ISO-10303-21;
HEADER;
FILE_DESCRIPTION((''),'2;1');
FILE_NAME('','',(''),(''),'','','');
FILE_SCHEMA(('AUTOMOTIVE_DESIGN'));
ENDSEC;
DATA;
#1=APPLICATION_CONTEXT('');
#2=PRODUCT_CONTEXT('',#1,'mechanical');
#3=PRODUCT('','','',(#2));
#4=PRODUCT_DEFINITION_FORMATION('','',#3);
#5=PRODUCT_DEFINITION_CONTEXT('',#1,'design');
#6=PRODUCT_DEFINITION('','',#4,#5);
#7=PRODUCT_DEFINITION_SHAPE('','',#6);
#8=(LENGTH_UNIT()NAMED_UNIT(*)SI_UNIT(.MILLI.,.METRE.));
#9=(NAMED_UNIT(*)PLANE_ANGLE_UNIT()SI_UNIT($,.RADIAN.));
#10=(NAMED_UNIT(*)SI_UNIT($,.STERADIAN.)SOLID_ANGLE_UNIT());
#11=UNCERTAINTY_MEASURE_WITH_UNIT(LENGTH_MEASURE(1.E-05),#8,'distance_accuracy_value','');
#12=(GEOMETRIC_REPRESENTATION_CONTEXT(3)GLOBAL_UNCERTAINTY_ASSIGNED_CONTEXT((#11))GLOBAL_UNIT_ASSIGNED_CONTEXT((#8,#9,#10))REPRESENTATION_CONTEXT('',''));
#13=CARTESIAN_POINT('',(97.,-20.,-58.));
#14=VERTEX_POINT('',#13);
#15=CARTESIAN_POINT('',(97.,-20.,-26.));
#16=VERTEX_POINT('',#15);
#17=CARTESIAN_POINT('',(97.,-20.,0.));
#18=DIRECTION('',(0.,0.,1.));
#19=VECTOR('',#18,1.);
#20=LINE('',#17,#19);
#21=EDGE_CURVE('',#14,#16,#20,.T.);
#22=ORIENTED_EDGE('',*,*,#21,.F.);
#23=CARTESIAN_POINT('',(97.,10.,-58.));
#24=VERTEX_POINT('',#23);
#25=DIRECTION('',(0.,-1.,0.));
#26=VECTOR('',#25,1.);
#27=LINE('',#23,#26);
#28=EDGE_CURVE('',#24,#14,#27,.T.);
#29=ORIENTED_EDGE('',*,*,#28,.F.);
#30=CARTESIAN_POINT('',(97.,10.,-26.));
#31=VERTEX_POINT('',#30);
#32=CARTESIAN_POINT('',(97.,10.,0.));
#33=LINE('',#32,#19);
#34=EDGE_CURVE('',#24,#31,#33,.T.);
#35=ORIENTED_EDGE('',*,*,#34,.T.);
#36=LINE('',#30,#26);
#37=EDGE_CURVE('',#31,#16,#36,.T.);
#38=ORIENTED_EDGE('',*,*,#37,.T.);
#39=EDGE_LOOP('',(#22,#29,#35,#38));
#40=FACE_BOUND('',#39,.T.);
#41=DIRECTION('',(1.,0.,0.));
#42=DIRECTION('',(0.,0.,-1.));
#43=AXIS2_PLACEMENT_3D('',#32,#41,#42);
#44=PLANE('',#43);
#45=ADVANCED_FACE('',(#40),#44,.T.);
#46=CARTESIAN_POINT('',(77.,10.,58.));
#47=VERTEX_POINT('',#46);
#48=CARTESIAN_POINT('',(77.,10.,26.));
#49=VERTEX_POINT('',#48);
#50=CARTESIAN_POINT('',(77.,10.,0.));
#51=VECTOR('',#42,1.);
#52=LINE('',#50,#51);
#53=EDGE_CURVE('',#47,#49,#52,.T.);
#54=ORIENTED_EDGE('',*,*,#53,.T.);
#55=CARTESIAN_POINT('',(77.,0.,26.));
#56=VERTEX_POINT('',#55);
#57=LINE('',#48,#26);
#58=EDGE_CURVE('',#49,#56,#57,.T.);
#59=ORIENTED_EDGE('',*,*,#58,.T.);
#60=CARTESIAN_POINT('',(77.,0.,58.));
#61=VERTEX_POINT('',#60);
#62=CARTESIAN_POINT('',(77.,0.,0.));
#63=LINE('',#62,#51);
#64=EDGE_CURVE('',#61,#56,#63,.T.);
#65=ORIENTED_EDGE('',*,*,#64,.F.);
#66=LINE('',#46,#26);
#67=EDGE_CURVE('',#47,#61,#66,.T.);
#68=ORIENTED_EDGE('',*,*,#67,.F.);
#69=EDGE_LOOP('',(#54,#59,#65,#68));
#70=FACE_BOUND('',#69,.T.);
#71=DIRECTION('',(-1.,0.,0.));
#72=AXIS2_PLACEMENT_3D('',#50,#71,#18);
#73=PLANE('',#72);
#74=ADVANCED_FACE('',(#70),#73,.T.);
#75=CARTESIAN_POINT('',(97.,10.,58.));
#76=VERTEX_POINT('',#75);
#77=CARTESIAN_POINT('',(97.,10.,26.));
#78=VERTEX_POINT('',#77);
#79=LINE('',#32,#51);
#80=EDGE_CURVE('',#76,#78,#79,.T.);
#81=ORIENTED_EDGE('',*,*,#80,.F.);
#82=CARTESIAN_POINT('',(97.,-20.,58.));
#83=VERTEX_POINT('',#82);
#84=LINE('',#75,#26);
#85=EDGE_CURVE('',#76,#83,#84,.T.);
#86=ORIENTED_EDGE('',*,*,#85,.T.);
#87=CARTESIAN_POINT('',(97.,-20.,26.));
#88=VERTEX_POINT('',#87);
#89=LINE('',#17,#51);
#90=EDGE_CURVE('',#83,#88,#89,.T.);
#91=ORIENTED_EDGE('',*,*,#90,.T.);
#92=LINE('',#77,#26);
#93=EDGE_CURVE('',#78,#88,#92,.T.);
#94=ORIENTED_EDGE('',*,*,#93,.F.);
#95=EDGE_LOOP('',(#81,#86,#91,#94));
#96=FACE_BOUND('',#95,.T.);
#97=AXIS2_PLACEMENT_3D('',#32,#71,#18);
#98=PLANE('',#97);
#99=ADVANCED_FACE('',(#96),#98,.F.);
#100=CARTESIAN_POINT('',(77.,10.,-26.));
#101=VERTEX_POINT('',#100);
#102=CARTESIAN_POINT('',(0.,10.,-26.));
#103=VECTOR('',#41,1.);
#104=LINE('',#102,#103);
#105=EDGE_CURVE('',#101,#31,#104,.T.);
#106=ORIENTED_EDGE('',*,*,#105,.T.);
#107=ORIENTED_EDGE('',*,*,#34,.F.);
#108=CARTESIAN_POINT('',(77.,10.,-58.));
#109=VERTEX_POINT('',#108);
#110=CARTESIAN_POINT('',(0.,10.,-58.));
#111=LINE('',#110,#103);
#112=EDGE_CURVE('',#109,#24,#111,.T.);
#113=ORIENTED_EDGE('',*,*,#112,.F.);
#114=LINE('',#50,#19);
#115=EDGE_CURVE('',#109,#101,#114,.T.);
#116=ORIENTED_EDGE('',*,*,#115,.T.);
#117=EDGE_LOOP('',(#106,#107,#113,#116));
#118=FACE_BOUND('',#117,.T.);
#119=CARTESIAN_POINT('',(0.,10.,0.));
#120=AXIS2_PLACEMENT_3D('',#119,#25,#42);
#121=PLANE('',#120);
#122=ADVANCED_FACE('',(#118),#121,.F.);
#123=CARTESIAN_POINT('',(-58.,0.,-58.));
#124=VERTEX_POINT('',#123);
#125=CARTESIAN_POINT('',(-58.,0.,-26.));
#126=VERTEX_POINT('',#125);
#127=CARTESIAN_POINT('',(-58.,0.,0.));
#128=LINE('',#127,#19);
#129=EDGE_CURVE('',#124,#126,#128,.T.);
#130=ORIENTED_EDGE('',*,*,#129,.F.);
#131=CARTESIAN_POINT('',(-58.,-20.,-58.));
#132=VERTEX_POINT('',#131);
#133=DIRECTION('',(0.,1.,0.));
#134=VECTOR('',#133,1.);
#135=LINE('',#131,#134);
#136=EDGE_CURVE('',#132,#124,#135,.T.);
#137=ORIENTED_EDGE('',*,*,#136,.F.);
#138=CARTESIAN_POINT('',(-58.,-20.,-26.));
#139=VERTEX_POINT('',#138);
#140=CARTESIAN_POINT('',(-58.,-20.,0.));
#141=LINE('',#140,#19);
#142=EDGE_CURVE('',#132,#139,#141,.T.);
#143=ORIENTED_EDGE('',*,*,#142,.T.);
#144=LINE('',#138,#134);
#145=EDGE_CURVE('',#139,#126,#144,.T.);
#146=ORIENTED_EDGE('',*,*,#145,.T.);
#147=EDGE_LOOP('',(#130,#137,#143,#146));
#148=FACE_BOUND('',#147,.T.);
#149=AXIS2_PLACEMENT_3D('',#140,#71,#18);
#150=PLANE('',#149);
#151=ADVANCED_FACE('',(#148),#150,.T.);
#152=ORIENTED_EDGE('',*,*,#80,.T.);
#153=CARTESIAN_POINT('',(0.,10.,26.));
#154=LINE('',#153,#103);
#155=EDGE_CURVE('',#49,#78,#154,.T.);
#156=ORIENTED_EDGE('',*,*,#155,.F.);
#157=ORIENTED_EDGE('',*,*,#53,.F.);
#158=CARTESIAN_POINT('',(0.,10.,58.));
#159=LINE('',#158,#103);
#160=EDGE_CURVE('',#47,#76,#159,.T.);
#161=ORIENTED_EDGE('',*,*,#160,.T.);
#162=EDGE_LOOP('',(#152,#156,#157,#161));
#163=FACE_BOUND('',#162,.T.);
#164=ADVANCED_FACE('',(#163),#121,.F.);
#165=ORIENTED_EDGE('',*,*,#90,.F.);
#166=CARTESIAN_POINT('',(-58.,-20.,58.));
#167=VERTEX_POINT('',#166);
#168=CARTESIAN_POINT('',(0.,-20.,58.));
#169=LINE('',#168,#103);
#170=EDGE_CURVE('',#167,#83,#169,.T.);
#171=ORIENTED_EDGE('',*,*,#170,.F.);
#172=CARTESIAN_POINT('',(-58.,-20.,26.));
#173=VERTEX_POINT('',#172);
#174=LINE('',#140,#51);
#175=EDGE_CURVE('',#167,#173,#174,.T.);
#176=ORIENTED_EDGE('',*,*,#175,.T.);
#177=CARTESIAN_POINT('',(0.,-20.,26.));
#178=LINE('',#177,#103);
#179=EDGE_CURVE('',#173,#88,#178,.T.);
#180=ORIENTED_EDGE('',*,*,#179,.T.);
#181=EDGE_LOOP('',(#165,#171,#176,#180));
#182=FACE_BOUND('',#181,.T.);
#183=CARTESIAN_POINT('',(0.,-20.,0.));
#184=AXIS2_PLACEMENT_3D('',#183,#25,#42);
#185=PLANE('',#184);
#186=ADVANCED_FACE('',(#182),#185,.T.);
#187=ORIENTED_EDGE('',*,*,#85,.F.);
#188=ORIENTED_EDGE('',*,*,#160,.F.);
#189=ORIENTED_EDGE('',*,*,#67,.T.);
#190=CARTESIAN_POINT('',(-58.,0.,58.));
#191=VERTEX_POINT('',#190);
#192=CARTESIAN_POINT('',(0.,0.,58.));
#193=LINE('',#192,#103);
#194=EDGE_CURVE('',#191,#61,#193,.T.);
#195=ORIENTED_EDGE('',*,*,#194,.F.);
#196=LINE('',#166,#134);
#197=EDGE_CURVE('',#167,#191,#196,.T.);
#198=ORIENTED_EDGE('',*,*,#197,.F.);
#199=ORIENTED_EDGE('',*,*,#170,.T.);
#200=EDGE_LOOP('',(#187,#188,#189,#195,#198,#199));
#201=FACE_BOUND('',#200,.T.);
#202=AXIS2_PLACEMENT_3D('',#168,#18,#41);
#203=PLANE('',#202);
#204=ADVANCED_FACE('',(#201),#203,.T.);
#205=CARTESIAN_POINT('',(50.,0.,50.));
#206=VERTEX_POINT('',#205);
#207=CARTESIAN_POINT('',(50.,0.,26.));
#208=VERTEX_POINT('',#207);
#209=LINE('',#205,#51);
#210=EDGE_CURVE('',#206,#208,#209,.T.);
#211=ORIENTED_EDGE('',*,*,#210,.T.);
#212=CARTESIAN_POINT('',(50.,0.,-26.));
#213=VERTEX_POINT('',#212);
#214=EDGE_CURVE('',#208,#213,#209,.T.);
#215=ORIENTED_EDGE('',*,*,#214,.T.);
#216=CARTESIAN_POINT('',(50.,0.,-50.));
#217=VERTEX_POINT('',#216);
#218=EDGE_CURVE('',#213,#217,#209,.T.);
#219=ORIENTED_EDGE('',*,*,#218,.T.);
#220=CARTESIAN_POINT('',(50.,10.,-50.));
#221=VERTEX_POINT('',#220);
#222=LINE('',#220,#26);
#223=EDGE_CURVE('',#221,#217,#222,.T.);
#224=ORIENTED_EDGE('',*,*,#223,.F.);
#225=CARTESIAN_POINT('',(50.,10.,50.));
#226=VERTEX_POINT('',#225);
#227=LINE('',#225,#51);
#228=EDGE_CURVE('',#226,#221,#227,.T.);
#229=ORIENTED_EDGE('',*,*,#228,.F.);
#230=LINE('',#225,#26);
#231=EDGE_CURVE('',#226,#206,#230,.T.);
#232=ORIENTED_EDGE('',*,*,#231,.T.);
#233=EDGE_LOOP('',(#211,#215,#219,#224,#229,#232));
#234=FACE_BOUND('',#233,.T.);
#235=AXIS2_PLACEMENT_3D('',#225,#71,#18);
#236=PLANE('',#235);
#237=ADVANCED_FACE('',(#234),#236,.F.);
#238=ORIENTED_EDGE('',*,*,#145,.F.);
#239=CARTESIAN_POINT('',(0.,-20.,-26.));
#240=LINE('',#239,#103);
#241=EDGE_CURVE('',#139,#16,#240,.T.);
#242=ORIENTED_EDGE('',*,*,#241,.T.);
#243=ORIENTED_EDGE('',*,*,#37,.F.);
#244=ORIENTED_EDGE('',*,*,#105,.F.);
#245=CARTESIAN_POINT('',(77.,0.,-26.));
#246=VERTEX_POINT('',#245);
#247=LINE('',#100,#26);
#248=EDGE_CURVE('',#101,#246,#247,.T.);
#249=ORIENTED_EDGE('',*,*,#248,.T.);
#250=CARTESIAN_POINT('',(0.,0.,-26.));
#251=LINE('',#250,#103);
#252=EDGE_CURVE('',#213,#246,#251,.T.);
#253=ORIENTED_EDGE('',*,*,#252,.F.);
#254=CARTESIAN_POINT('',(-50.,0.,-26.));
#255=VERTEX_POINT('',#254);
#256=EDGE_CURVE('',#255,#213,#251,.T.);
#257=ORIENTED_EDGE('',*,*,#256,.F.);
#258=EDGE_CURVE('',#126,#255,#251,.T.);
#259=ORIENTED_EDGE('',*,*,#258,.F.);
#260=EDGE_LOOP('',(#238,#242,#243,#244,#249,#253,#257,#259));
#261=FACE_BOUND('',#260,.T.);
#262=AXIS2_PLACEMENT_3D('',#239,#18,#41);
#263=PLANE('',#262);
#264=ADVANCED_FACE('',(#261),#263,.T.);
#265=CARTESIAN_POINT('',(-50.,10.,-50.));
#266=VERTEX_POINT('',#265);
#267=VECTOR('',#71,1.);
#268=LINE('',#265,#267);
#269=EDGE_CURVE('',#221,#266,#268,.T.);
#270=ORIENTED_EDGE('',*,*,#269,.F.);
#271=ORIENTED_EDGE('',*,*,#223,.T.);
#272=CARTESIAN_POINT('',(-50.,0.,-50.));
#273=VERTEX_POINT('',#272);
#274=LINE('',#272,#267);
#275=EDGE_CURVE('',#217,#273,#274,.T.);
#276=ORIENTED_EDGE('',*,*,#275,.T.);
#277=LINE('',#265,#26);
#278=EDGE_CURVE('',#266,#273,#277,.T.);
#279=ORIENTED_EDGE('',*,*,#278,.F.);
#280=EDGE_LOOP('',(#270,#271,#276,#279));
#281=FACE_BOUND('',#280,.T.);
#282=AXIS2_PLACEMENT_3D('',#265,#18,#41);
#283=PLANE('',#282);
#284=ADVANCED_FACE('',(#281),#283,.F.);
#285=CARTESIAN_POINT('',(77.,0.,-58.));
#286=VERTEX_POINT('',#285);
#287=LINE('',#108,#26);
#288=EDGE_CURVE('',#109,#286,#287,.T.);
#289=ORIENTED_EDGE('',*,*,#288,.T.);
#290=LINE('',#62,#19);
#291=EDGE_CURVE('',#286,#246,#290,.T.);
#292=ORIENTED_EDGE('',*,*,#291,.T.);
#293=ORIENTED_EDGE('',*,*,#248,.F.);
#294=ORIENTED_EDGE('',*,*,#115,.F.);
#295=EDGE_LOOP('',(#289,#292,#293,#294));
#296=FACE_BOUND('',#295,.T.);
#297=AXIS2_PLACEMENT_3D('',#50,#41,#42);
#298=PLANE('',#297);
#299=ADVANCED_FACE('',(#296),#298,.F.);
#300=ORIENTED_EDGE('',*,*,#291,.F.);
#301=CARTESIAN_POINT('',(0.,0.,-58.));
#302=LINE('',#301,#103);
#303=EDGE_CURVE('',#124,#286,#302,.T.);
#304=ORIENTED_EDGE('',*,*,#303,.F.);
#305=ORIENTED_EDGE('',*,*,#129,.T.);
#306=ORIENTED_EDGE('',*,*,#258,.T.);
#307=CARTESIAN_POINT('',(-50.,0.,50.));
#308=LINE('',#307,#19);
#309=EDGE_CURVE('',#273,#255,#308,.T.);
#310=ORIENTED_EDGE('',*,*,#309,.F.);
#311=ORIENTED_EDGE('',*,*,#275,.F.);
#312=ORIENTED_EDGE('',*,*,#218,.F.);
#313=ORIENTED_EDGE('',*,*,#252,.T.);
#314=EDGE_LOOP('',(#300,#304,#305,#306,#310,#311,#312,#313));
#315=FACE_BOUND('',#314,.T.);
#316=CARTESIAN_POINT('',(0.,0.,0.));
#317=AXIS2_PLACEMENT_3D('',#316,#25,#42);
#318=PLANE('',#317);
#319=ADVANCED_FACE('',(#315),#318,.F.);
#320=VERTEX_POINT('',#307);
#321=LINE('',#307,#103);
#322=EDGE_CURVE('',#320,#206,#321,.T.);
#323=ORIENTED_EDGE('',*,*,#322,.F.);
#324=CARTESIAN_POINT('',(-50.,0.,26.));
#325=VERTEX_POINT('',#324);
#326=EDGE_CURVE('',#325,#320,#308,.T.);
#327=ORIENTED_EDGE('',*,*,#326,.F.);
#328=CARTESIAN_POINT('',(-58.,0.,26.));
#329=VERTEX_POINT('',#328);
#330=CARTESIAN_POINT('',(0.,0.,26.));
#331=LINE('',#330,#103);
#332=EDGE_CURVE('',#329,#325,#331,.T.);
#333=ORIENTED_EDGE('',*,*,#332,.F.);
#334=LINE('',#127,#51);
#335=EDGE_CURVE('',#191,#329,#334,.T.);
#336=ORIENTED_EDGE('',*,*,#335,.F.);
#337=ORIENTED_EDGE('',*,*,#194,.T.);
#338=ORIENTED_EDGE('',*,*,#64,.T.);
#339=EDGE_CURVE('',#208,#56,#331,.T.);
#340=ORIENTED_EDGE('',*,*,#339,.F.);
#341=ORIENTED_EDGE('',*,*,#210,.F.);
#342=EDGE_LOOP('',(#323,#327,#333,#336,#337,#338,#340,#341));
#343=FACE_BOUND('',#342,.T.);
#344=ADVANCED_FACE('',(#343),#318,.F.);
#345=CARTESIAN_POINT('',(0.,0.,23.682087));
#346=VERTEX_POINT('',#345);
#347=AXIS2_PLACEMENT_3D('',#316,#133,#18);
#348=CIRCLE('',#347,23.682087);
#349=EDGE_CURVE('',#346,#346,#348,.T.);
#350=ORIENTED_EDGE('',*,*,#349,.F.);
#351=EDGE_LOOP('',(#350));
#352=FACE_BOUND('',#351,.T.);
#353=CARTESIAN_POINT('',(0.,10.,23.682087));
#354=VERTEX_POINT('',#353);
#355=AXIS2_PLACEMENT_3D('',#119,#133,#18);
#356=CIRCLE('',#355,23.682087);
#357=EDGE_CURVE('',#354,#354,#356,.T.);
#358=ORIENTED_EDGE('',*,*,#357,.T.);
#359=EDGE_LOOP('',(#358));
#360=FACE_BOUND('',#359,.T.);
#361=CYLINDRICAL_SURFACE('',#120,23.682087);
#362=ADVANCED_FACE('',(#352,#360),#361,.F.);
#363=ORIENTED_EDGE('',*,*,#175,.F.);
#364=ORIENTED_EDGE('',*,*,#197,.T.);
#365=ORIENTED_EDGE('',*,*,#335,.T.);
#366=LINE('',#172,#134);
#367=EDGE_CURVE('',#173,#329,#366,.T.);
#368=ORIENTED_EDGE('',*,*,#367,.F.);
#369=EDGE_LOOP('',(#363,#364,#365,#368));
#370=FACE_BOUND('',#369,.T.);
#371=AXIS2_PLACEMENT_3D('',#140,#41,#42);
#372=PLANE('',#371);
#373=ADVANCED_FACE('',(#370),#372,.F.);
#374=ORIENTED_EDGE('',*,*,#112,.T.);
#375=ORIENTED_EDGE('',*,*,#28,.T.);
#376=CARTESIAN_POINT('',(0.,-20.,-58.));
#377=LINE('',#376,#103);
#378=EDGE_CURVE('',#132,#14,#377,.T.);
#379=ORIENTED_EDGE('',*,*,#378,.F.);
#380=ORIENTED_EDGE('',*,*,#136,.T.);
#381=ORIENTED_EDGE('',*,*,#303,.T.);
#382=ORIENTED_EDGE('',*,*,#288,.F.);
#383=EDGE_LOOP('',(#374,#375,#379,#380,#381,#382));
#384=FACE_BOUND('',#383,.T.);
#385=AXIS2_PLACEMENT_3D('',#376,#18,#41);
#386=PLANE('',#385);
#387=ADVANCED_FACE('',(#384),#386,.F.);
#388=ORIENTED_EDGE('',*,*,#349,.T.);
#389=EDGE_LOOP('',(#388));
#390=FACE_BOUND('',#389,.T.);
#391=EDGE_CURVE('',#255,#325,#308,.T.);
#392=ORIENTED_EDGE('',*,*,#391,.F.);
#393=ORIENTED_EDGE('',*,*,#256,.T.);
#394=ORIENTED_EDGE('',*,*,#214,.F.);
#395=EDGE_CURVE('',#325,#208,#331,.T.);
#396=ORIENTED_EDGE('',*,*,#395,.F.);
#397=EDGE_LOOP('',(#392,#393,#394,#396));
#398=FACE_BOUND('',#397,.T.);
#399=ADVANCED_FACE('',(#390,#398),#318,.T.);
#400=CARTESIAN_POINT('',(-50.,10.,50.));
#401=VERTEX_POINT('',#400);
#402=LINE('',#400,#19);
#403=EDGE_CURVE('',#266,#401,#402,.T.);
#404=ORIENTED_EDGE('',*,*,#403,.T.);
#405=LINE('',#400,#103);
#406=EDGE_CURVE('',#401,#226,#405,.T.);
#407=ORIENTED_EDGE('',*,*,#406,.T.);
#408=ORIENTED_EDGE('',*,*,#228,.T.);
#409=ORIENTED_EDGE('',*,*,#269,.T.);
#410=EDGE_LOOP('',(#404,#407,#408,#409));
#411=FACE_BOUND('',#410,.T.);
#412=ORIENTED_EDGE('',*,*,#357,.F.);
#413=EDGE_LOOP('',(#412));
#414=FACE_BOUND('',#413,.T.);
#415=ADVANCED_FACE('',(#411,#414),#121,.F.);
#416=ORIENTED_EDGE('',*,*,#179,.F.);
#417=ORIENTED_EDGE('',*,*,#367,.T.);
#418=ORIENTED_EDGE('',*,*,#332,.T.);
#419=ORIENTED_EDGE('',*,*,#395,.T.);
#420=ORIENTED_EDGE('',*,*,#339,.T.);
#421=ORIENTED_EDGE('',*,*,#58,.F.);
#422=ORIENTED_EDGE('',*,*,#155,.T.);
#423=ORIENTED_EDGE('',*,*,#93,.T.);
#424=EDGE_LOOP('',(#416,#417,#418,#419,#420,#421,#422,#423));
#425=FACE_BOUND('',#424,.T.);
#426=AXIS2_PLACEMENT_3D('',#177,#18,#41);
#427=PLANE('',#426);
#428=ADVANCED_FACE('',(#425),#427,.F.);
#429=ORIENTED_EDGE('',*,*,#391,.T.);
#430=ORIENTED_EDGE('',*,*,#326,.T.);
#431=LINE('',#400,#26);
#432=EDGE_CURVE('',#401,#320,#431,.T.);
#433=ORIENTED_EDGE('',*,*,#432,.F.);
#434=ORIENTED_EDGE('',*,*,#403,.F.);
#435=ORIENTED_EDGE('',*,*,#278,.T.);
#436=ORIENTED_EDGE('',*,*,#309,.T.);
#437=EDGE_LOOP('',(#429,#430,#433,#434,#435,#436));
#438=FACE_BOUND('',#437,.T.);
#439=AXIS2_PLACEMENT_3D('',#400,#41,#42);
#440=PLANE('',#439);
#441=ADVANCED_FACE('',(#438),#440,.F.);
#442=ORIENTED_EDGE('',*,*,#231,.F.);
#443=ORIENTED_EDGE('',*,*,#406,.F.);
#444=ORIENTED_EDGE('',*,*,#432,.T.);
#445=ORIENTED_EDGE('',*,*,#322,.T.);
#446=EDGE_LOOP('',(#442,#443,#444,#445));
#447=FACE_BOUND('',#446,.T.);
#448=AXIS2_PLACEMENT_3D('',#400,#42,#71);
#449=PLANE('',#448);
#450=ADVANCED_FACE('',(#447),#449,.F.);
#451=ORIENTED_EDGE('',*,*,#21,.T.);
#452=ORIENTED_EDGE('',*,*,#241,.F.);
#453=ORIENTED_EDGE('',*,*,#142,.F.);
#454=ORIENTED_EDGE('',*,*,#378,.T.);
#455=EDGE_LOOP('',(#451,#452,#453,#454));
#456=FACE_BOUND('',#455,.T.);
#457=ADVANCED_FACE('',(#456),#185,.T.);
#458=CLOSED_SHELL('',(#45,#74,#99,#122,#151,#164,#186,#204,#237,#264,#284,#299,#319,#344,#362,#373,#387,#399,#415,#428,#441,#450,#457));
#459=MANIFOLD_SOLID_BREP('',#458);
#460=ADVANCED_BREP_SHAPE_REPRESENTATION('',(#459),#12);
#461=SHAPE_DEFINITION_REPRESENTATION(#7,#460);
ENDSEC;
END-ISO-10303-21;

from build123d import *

# Parameters (mm, degrees)
SKETCH1_W                = 100
SKETCH1_H                = 100
SKETCH1_R                = 23.682087014
BOSS_EXTRUDE1_DEPTH      = 10
SKETCH2_W                = 135
SKETCH2_H                = 32
BOSS_EXTRUDE2_DEPTH      = 20
BOSS_EXTRUDE3_DEPTH      = 20
BOSS_EXTRUDE3_DEPTH_BACK = 10
SKETCH2_3_W              = 20
SKETCH2_3_H              = 32


with BuildPart() as part:
    # Sketch1 → Boss-Extrude1 (new body)
    with BuildSketch(Plane(origin=(0, 0, 0), x_dir=(1, 0, 0), z_dir=(0, 1, 0))):
        Rectangle(SKETCH1_W, SKETCH1_H)
        Circle(SKETCH1_R, mode=Mode.SUBTRACT)
    extrude(amount=BOSS_EXTRUDE1_DEPTH)

    # Sketch2 → Boss-Extrude2 (add)
    with BuildSketch(Plane.XZ):
        with Locations((9.5, 42)):
            Rectangle(SKETCH2_W, SKETCH2_H)
        with Locations((9.5, -42)):
            Rectangle(SKETCH2_W, SKETCH2_H)
    extrude(amount=BOSS_EXTRUDE2_DEPTH)

    # Sketch2<3> → Boss-Extrude3 (add, two sides: drawn at the far end of the back side and taken through both)
    with BuildSketch(Plane.XZ.offset(-BOSS_EXTRUDE3_DEPTH_BACK)):
        with Locations((87, 42)):
            Rectangle(SKETCH2_3_W, SKETCH2_3_H)
        with Locations((87, -42)):
            Rectangle(SKETCH2_3_W, SKETCH2_3_H)
    extrude(amount=BOSS_EXTRUDE3_DEPTH + BOSS_EXTRUDE3_DEPTH_BACK)


solid = part.part
